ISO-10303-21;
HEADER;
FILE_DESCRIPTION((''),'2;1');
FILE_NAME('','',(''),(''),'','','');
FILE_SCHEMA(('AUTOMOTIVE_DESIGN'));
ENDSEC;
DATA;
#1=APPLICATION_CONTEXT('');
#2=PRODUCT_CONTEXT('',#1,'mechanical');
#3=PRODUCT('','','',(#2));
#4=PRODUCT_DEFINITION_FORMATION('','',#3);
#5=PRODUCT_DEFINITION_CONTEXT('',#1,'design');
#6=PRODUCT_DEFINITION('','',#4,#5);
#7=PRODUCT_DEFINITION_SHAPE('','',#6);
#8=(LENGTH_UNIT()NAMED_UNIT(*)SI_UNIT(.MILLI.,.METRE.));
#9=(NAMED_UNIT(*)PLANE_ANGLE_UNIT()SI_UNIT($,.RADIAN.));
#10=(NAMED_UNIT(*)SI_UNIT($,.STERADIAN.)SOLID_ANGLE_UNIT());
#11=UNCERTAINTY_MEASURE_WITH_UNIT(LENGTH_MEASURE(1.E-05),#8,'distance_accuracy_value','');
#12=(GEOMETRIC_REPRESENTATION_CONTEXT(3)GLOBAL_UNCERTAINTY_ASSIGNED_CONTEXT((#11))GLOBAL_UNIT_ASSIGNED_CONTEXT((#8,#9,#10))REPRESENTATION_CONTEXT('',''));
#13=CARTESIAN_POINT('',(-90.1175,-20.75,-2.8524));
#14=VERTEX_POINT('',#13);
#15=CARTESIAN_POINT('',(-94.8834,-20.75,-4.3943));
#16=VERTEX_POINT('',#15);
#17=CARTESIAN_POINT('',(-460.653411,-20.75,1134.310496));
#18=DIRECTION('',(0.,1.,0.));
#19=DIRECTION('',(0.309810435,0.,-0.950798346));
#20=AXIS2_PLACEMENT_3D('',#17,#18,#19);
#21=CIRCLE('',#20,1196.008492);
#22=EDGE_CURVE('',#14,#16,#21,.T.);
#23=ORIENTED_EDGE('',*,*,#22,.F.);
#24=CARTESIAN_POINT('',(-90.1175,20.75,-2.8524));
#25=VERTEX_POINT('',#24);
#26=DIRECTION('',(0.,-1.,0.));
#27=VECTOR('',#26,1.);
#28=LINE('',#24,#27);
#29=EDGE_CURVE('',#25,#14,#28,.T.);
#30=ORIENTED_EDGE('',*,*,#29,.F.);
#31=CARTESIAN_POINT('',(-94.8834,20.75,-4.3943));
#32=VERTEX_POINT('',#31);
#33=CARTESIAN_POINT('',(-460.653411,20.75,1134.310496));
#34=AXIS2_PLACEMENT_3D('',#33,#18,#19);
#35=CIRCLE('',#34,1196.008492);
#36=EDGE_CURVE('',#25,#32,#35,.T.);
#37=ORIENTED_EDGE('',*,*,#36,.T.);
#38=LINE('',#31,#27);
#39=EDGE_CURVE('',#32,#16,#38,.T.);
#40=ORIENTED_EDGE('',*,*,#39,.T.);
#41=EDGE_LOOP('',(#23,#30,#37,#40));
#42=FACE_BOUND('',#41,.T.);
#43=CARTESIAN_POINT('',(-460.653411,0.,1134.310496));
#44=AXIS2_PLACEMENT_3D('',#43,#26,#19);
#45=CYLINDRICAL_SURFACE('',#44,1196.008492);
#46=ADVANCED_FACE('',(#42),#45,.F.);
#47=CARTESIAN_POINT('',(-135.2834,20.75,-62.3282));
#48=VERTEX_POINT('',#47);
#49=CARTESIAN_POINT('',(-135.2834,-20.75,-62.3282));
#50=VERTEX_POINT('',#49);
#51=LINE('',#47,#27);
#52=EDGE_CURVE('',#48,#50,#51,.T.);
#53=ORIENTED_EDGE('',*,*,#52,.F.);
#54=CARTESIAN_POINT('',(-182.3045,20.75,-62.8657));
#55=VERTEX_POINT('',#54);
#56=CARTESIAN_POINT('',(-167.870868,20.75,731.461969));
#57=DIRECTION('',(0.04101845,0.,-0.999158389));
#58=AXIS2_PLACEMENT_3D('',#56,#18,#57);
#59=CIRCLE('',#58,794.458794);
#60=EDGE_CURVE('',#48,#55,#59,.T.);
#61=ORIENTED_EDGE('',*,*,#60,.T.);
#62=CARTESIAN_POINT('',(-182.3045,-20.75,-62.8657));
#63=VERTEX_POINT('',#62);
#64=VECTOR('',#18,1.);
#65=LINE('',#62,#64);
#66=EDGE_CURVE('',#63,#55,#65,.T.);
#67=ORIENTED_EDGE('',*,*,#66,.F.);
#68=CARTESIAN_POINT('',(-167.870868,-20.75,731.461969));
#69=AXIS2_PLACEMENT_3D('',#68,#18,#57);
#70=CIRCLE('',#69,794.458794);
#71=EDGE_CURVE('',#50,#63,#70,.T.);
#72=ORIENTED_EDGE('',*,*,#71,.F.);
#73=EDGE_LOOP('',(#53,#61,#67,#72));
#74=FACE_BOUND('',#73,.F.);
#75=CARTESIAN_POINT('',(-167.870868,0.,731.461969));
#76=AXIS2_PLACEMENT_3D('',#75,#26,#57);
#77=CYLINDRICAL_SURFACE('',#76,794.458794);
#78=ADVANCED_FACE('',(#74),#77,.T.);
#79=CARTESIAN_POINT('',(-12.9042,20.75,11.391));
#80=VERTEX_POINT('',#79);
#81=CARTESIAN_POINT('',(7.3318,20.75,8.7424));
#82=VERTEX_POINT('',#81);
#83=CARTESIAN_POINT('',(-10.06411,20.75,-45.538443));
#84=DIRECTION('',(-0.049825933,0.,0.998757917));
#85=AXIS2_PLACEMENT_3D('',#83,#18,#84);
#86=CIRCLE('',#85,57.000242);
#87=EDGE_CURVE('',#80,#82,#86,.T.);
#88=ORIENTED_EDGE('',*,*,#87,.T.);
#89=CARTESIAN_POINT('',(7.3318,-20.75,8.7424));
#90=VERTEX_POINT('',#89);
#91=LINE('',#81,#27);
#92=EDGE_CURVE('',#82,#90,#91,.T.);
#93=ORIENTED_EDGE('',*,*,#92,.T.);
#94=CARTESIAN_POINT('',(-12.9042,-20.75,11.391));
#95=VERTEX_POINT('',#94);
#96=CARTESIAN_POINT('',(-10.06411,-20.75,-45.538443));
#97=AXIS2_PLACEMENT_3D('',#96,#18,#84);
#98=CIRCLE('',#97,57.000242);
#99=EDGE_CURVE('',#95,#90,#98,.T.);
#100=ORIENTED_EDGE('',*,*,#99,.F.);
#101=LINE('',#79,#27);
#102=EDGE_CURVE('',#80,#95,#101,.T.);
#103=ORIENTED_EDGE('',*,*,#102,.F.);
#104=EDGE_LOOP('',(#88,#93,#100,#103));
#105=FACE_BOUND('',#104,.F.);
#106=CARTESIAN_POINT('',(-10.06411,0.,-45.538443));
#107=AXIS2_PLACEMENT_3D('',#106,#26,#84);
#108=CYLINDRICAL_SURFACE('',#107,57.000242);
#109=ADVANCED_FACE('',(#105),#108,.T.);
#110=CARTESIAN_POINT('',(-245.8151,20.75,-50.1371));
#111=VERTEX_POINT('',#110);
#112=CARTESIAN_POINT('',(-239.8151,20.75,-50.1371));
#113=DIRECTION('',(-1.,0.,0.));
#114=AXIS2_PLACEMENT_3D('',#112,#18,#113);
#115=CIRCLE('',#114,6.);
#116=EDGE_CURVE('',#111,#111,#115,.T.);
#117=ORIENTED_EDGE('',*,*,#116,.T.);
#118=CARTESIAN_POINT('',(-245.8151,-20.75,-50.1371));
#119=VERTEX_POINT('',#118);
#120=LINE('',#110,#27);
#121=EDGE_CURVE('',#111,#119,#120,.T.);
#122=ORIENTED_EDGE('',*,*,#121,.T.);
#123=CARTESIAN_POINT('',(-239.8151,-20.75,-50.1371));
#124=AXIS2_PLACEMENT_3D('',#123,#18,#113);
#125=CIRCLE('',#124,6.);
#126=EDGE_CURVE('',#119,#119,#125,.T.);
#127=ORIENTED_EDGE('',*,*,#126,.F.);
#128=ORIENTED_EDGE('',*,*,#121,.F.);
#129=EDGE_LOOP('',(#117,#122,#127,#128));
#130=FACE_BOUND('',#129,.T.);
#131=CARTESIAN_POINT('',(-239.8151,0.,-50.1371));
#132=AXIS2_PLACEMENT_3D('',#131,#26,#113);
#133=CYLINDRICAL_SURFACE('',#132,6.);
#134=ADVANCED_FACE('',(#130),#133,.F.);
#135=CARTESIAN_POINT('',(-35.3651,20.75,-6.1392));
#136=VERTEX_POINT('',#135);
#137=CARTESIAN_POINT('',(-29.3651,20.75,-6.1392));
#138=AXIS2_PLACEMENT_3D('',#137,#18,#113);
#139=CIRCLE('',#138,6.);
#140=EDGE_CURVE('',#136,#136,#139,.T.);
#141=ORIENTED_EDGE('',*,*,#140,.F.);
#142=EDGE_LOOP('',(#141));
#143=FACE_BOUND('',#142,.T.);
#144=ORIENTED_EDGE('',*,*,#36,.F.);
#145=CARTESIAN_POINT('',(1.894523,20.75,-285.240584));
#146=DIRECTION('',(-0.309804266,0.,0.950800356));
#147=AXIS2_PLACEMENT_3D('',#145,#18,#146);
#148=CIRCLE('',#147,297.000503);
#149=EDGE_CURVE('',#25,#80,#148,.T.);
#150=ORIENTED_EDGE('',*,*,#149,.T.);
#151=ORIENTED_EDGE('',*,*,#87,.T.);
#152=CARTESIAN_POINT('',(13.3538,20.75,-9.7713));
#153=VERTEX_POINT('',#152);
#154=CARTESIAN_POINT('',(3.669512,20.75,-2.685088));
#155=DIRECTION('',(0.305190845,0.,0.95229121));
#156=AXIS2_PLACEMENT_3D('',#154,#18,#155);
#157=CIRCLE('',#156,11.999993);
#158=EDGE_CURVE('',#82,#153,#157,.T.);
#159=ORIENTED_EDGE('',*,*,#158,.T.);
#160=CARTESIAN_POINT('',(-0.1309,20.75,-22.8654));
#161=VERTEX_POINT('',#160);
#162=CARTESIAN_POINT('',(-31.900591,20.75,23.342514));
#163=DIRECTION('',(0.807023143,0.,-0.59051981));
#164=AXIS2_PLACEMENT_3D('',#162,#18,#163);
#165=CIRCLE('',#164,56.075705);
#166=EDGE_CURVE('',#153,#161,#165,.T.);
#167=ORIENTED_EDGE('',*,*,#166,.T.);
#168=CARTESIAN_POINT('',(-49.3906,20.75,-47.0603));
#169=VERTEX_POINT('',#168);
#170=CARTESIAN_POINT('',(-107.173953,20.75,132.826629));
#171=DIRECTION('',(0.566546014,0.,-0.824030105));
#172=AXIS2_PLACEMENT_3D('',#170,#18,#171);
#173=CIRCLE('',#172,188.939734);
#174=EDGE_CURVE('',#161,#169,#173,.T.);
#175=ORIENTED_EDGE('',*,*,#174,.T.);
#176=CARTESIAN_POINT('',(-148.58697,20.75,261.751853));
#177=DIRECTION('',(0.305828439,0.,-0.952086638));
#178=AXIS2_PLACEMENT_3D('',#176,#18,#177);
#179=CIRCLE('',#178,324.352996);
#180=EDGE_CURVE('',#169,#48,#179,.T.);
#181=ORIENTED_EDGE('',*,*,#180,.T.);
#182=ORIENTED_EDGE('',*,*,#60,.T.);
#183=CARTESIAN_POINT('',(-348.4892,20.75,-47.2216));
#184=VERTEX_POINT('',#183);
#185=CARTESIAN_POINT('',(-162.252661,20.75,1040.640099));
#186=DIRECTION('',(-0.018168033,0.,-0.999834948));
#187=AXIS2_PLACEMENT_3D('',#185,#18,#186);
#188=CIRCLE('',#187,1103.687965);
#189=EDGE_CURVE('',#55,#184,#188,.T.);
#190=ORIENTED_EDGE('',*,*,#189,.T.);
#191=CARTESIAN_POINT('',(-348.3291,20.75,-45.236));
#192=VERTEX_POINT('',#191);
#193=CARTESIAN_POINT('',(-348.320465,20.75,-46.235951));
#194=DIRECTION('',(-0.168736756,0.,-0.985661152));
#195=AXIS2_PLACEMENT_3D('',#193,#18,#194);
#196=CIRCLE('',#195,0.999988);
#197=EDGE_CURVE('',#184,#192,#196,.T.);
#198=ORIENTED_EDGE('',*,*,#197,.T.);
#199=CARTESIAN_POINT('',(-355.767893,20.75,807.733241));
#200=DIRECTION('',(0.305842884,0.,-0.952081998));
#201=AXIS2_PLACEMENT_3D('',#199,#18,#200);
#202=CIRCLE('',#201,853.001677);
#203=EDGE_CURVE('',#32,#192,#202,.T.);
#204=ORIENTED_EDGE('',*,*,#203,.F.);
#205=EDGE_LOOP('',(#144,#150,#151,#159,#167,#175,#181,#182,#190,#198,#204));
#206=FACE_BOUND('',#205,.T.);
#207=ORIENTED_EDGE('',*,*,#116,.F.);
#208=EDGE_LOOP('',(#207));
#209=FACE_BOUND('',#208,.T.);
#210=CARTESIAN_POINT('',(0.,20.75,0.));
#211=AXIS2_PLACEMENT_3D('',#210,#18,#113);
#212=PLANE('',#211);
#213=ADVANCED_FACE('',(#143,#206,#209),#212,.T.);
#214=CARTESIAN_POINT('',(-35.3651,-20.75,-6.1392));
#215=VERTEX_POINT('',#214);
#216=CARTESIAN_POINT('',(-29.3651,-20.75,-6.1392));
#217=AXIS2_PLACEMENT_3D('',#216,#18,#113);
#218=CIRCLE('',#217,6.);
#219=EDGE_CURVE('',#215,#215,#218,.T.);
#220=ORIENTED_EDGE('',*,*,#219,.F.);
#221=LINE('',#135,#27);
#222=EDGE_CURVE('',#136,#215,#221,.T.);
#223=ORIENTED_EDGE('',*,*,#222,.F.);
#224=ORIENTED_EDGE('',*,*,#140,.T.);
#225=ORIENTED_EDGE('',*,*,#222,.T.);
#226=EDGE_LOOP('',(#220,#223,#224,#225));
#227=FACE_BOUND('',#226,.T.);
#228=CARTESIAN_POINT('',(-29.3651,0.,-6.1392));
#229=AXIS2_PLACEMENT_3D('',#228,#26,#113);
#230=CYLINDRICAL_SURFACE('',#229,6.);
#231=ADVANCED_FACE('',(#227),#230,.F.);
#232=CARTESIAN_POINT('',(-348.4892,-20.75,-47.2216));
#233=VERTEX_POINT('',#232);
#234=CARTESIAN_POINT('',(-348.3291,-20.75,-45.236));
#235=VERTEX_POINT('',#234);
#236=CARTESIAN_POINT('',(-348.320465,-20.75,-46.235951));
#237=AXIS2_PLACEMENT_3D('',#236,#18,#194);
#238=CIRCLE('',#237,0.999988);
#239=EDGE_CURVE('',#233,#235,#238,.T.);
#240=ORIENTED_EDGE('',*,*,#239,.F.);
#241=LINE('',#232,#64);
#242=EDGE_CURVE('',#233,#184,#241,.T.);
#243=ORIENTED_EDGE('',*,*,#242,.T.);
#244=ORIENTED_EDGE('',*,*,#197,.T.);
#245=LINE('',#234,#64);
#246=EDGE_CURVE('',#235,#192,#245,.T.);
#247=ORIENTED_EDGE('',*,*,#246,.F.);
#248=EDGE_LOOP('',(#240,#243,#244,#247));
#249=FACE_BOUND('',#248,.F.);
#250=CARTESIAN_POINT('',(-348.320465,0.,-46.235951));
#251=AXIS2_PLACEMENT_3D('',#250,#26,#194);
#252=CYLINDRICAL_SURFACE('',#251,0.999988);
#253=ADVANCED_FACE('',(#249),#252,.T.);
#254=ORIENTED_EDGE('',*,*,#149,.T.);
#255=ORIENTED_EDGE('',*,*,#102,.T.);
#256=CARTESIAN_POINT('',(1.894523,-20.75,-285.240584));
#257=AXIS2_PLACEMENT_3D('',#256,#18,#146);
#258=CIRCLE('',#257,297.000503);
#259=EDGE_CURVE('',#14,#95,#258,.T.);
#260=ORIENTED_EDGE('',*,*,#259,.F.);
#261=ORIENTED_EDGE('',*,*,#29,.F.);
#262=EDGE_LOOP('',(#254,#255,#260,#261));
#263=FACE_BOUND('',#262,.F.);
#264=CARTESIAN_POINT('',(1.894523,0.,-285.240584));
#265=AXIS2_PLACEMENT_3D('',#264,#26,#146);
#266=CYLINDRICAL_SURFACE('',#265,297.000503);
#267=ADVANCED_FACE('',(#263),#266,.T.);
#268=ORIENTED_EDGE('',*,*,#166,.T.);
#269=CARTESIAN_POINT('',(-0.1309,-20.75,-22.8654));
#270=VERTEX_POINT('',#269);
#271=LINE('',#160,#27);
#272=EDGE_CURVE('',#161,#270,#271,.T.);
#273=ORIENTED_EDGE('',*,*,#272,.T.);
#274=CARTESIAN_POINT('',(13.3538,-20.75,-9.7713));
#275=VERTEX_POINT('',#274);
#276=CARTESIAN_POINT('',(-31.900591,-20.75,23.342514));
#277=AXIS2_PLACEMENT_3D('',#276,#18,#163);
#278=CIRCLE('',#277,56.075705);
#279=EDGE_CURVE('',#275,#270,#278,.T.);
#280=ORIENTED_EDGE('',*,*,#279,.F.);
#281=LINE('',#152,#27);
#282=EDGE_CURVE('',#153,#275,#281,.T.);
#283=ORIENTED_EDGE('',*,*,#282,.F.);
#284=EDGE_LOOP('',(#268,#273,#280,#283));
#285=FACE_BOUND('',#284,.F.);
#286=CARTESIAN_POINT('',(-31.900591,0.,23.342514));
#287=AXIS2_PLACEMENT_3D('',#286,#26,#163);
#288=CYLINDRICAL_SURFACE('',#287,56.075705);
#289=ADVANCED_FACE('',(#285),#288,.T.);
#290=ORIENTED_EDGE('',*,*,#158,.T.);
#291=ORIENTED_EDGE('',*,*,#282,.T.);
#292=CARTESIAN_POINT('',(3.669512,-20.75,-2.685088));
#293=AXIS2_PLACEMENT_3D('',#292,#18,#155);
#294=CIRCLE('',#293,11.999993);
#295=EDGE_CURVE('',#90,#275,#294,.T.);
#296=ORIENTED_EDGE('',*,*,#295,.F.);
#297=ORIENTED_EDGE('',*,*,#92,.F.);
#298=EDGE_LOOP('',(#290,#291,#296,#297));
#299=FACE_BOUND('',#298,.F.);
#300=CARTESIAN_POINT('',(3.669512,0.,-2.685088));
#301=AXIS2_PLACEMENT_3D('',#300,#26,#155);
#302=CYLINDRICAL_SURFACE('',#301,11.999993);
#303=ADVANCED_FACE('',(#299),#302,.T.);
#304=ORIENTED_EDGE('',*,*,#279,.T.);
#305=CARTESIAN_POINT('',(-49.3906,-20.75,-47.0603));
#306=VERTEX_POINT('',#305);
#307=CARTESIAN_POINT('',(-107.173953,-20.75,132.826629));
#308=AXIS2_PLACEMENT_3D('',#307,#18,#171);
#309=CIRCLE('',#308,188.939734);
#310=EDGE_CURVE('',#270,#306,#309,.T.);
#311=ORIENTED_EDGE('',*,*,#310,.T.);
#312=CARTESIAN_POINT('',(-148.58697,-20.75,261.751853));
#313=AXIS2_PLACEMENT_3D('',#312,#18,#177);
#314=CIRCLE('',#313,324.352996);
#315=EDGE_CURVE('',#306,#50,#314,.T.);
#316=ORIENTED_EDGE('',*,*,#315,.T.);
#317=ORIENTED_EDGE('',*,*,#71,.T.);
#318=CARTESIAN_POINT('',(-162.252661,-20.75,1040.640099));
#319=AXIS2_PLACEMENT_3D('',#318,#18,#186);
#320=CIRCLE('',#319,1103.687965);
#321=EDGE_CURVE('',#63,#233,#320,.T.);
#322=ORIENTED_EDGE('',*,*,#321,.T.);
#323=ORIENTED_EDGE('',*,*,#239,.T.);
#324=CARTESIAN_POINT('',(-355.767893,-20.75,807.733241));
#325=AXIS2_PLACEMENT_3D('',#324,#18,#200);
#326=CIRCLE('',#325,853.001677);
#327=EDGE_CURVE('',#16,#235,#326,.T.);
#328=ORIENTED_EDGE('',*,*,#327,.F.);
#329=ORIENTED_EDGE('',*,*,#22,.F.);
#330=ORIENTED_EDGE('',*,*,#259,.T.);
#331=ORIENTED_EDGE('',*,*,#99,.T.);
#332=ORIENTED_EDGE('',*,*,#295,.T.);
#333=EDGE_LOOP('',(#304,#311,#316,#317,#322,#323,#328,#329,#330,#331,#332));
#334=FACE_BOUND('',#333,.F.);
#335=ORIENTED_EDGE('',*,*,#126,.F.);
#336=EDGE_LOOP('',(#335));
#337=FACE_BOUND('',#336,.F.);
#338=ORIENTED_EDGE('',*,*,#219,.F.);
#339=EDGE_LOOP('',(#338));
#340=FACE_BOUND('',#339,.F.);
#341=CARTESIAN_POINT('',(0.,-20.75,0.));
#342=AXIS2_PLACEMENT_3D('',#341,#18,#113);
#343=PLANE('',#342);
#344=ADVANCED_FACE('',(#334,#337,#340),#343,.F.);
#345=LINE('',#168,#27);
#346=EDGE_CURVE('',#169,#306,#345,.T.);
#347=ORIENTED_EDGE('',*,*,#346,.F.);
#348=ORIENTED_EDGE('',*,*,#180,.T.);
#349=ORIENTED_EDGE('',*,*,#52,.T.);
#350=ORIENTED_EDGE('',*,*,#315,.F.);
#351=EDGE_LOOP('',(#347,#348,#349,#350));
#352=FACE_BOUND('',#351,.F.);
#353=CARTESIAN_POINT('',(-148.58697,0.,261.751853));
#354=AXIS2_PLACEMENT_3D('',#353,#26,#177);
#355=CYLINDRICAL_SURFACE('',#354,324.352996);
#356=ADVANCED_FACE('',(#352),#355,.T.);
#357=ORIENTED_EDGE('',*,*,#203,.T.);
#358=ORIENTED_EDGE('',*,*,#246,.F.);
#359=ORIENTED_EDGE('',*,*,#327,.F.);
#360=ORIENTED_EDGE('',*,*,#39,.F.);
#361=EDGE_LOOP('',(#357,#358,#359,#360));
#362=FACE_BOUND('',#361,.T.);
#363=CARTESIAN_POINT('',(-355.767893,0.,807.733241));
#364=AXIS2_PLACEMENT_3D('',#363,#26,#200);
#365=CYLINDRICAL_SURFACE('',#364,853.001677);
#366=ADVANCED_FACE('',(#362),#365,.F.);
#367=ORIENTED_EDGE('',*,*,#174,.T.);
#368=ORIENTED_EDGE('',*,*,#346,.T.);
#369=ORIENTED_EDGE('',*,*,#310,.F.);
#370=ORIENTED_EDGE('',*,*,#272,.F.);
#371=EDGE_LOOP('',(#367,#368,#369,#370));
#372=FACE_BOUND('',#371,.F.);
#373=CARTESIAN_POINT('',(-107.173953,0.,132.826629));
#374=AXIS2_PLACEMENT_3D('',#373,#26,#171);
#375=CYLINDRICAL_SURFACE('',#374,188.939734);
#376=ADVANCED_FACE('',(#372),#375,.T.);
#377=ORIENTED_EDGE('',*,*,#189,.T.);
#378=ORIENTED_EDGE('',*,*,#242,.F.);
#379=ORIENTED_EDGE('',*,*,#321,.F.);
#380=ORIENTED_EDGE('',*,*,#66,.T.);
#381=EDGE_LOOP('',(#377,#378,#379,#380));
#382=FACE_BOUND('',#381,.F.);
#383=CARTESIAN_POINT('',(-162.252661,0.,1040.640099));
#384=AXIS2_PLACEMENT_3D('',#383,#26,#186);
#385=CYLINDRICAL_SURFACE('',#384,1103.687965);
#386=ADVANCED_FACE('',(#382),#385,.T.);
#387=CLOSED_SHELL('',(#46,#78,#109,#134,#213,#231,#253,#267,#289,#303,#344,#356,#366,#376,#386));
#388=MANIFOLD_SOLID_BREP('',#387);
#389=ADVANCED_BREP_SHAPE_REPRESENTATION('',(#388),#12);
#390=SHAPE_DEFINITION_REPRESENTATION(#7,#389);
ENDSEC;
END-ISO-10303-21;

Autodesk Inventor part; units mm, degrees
ref_plane "YZ Plane" through (0, 0, 0) normal (1, 0, 0) x (0, 1, 0)
ref_plane "XZ Plane" through (0, 0, 0) normal (0, 1, 0) x (-1, 0, 0)
ref_plane "XY Plane" through (0, 0, 0) normal (0, 0, 1) x (1, 0, 0)
sketch "スケッチ1" plane through (0, 0, 0) normal (0, 1, 0) x (-1, 0, 0)
  arc A0 (182.3045, -62.8657) -> (348.4892, -47.2216) centre (162.2533, 1040.6287) ccw projected
  arc A1 (135.2834, -62.3282) -> (182.3045, -62.8657) centre (167.871, 731.467) ccw projected
  arc A2 (49.3906, -47.0603) -> (135.2834, -62.3282) centre (148.588, 261.756) ccw projected
  arc A3 (0.1309, -22.8654) -> (49.3906, -47.0603) centre (107.173, 132.825) ccw projected
  arc A4 (-13.3538, -9.7713) -> (0.1309, -22.8654) centre (31.9, 23.342) ccw projected
  arc A5 (-7.3318, 8.7424) -> (-13.3538, -9.7713) centre (-3.6695, -2.6851) ccw projected
  arc A6 (12.9042, 11.391) -> (-7.3318, 8.7424) centre (10.0641, -45.5382) ccw projected
  arc A7 (90.1175, -2.8524) -> (12.9042, 11.391) centre (-1.8944, -285.2401) ccw projected
  arc A8 (90.1175, -2.8524) -> (94.8834, -4.3943) centre (462.8125, 1140.9603) ccw projected
  arc A9 (94.8834, -4.3943) -> (348.3291, -45.236) centre (355.7675, 807.7316) ccw projected
  arc A10 (348.4892, -47.2216) -> (348.3291, -45.236) centre (348.3204, -46.2359) ccw projected
  circle A11 centre (29.3651, -6.1392) radius 6 projected
  circle A12 centre (239.8151, -50.1371) radius 6 projected
  point P0 (0, 0)
extrude "押し出し1" add sketch "スケッチ1" along normal mid plane 41.5
properties part number "uretan_m" material "ポリエチレン、高密度"
